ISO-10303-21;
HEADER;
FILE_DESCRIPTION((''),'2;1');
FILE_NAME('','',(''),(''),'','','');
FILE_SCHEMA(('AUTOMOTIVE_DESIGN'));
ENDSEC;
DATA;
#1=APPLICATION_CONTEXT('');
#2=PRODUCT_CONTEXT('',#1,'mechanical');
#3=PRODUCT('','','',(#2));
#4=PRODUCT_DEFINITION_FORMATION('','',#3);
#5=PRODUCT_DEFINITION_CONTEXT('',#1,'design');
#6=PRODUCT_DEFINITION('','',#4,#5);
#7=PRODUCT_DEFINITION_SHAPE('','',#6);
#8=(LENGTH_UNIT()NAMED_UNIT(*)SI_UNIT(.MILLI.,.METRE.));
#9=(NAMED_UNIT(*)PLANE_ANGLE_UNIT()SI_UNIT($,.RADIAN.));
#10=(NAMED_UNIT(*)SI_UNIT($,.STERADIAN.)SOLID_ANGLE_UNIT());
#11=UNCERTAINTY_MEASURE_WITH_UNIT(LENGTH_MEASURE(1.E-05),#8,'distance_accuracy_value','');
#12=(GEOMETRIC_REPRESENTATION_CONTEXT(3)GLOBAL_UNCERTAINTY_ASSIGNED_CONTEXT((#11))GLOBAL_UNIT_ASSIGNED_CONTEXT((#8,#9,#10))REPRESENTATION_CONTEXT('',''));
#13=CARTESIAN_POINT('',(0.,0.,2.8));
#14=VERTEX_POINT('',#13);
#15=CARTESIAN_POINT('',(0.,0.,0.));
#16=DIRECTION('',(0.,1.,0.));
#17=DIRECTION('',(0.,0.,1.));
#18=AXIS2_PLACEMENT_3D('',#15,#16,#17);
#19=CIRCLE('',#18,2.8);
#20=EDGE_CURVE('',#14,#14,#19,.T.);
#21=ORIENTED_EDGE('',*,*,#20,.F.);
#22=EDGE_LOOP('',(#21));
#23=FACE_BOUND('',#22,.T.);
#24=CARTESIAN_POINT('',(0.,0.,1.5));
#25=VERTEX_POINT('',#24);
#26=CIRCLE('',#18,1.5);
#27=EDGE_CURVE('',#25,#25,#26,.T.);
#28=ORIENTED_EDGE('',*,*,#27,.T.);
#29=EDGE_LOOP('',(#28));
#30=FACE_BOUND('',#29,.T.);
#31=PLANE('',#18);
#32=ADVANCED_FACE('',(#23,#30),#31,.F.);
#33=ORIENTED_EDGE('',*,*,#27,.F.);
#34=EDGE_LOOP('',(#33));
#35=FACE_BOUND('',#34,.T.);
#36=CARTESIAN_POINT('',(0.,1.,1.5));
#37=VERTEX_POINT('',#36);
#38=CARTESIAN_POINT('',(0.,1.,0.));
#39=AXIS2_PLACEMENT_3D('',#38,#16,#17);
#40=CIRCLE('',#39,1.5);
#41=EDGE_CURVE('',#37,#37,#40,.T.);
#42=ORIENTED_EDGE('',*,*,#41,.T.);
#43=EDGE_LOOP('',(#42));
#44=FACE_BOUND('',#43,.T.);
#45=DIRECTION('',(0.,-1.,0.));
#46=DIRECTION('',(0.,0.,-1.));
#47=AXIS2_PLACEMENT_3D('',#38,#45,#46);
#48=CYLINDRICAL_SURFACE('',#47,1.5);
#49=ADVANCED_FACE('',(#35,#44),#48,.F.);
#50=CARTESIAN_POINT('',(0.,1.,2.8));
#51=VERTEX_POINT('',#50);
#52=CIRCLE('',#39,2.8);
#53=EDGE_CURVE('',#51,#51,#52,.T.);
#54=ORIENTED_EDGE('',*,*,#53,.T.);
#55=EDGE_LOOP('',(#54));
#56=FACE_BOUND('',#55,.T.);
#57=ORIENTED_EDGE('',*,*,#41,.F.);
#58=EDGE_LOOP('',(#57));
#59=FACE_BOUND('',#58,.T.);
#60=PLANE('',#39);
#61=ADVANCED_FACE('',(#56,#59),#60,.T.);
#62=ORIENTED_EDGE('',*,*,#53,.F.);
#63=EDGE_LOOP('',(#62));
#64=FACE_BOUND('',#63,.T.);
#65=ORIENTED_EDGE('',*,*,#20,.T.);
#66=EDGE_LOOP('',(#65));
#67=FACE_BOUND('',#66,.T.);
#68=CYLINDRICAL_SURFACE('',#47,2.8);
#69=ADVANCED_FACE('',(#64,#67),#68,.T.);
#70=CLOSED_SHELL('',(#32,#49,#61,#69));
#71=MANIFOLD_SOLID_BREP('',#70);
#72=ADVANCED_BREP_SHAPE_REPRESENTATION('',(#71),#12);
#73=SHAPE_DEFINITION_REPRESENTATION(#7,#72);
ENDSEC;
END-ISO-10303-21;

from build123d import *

# Parameters (mm, degrees)
SKETCH1_R           = 2.8
SKETCH1_R_2         = 1.5
BOSS_EXTRUDE1_DEPTH = 1


with BuildPart() as part:
    # Sketch1 → Boss-Extrude1 (new body)
    with BuildSketch(Plane(origin=(0, 0, 0), x_dir=(1, 0, 0), z_dir=(0, 1, 0))):
        with Locations(Location((0, 0, 0), (0, 0, 270))):
            Circle(SKETCH1_R)
        with Locations(Location((0, 0, 0), (0, 0, 270))):
            Circle(SKETCH1_R_2, mode=Mode.SUBTRACT)
    extrude(amount=BOSS_EXTRUDE1_DEPTH)


solid = part.part
